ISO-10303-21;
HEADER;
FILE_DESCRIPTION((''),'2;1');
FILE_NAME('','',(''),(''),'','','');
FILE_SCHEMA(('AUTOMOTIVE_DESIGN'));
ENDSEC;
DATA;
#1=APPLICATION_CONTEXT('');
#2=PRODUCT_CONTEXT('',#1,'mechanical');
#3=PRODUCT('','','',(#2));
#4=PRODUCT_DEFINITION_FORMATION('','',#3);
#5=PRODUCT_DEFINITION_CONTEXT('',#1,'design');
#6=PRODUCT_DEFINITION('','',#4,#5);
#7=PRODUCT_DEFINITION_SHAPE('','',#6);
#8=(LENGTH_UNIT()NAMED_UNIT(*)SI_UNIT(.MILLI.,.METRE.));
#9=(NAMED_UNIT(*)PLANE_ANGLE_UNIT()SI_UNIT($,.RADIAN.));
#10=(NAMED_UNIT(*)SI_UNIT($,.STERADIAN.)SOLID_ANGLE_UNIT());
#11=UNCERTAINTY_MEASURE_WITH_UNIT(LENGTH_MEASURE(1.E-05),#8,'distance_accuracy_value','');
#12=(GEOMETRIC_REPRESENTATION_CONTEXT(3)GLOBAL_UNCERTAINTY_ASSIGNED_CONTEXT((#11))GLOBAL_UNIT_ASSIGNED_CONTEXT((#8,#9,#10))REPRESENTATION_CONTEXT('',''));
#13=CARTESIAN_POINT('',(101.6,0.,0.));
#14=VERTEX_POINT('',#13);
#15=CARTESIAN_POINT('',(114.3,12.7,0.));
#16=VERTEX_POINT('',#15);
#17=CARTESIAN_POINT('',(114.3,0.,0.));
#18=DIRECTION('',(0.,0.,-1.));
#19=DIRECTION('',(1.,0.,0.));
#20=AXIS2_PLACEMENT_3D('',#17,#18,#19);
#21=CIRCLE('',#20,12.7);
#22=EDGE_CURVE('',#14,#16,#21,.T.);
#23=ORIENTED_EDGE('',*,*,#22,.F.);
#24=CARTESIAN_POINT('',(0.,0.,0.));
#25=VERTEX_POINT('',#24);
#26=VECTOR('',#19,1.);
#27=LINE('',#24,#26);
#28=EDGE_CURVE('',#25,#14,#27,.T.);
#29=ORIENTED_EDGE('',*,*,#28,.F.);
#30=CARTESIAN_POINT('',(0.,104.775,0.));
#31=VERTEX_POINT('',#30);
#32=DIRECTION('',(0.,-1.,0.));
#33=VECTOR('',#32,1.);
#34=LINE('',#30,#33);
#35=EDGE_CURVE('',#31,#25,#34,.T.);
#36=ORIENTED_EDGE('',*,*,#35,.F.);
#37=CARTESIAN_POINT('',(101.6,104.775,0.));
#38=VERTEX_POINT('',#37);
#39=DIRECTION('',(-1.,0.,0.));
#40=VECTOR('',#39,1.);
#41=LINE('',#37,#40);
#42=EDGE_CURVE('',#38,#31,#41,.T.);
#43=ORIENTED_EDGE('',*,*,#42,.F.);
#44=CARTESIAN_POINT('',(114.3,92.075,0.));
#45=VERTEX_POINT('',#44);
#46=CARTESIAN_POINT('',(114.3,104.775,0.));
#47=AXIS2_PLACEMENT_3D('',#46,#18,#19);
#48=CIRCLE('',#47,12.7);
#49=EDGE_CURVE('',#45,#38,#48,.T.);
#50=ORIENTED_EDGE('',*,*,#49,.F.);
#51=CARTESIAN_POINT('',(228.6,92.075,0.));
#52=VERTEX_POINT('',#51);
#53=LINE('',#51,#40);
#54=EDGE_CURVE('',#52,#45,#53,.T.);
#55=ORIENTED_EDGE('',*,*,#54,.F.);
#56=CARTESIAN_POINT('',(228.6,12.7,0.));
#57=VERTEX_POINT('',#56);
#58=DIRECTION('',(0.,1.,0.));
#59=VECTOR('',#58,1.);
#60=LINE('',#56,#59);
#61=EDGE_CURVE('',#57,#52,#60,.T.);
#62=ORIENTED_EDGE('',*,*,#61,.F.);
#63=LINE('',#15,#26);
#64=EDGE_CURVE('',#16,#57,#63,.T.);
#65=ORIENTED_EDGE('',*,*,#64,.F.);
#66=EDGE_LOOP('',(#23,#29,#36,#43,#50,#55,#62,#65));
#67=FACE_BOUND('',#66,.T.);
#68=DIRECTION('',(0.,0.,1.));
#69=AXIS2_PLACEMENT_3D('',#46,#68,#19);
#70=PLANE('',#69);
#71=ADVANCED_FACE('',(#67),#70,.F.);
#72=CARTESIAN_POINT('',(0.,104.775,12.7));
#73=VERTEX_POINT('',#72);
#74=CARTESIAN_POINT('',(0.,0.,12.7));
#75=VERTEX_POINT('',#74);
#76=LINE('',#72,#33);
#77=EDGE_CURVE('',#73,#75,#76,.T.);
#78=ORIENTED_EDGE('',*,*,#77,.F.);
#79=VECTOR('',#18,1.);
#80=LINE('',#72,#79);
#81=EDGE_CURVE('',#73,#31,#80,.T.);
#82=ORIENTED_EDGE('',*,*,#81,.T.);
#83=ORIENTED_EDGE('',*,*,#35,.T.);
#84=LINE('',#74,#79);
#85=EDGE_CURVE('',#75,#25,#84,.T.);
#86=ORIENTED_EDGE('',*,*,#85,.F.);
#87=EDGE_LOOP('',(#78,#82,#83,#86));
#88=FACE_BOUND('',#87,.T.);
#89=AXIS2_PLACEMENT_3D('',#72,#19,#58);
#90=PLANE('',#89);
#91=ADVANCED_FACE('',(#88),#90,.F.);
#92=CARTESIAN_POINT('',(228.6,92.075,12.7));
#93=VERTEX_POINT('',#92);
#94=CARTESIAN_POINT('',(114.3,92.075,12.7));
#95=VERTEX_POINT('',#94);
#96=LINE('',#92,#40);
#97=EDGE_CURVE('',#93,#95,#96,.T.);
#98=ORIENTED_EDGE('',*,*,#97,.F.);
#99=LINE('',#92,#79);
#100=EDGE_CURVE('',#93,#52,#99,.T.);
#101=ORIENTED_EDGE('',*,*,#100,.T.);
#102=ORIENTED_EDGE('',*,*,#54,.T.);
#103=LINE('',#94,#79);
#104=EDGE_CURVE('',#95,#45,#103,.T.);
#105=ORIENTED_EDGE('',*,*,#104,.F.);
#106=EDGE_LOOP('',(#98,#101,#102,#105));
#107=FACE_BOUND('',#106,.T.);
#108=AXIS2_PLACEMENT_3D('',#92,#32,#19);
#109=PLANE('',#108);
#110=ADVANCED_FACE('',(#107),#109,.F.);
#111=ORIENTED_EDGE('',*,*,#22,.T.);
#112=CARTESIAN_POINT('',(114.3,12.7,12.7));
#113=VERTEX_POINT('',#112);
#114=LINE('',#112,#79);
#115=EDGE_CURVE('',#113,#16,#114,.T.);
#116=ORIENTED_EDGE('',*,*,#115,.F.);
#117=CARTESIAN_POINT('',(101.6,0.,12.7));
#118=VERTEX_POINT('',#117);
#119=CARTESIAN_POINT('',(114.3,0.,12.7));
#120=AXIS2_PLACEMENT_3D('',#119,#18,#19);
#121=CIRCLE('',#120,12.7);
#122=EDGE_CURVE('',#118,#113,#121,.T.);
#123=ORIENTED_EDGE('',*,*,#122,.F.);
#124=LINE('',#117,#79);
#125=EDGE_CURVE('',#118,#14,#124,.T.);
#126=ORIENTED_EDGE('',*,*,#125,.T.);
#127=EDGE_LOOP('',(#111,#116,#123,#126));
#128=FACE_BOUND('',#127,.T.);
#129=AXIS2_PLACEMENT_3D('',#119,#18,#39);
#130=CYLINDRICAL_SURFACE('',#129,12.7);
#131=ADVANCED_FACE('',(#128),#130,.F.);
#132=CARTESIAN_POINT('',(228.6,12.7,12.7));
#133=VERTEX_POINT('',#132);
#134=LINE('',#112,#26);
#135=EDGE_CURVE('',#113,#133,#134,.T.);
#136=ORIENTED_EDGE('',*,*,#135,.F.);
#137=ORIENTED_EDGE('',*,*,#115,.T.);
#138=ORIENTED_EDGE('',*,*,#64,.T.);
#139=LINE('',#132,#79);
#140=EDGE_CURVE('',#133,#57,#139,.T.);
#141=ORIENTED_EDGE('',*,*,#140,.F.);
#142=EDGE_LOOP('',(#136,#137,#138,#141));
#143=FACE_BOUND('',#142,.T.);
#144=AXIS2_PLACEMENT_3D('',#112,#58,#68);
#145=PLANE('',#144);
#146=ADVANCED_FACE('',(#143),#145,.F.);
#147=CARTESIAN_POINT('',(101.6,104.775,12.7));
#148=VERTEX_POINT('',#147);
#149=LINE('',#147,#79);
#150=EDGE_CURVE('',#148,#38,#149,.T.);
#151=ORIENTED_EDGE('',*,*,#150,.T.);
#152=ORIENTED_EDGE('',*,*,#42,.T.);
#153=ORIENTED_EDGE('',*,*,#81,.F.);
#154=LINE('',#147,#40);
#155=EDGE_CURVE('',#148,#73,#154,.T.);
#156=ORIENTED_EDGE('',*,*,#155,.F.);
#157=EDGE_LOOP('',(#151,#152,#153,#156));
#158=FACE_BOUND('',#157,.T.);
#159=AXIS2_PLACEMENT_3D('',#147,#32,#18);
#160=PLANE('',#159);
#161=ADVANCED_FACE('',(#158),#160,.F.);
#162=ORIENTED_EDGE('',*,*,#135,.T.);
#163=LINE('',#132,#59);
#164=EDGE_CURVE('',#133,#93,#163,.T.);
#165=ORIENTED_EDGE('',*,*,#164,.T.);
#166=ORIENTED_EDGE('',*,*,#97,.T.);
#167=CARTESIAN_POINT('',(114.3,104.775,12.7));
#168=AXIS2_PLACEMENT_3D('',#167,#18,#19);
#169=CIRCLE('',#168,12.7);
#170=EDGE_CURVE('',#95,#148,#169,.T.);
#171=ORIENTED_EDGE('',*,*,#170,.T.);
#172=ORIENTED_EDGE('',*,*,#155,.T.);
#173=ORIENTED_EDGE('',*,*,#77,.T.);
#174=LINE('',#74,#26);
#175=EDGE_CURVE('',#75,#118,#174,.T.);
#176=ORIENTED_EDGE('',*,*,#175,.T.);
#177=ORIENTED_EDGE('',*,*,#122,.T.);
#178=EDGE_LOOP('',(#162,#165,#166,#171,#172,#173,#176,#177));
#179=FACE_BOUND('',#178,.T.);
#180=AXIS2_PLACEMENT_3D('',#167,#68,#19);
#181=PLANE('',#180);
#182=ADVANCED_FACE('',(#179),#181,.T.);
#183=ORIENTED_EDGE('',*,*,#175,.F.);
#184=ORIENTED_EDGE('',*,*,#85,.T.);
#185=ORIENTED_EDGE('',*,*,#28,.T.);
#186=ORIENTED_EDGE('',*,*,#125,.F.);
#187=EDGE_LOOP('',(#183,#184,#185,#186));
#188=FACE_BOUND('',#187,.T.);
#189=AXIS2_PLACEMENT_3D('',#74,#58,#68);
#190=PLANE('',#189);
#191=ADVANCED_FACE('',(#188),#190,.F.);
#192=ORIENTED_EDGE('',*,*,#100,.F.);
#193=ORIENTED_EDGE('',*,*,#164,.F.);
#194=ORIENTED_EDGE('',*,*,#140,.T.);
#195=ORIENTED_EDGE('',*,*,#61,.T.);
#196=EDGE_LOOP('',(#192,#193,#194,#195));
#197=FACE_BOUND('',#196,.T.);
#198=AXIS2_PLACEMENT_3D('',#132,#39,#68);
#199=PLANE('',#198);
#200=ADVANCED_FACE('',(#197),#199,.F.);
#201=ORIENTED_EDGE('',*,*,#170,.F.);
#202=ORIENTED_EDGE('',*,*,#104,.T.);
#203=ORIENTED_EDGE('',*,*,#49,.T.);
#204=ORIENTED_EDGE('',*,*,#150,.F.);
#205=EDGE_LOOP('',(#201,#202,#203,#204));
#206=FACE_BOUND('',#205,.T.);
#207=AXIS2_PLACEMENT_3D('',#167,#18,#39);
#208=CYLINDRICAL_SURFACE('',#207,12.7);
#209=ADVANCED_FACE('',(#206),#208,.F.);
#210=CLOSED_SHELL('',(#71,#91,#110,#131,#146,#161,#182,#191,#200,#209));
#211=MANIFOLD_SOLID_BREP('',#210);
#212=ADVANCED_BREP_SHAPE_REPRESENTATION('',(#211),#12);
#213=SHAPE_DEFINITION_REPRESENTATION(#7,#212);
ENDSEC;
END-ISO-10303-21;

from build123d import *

# Parameters (mm, degrees)
BOSS_EXTRUDE1_DEPTH = 12.7


with BuildPart() as part:
    # Sketch1 → Boss-Extrude1 (new body)
    with BuildSketch(Plane.XY):
        with BuildLine():
            Line((101.6, 104.775), (0, 104.775))
            Line((0, 104.775), (0, 0))
            Line((0, 0), (101.6, 0))
            ThreePointArc((101.6, 0), (105.319743879, 8.980256121), (114.3, 12.7))
            Line((114.3, 12.7), (228.6, 12.7))
            Line((228.6, 12.7), (228.6, 92.075))
            Line((228.6, 92.075), (114.3, 92.075))
            ThreePointArc((114.3, 92.075), (105.319743879, 95.794743879), (101.6, 104.775))
        make_face()
    extrude(amount=BOSS_EXTRUDE1_DEPTH)


solid = part.part
